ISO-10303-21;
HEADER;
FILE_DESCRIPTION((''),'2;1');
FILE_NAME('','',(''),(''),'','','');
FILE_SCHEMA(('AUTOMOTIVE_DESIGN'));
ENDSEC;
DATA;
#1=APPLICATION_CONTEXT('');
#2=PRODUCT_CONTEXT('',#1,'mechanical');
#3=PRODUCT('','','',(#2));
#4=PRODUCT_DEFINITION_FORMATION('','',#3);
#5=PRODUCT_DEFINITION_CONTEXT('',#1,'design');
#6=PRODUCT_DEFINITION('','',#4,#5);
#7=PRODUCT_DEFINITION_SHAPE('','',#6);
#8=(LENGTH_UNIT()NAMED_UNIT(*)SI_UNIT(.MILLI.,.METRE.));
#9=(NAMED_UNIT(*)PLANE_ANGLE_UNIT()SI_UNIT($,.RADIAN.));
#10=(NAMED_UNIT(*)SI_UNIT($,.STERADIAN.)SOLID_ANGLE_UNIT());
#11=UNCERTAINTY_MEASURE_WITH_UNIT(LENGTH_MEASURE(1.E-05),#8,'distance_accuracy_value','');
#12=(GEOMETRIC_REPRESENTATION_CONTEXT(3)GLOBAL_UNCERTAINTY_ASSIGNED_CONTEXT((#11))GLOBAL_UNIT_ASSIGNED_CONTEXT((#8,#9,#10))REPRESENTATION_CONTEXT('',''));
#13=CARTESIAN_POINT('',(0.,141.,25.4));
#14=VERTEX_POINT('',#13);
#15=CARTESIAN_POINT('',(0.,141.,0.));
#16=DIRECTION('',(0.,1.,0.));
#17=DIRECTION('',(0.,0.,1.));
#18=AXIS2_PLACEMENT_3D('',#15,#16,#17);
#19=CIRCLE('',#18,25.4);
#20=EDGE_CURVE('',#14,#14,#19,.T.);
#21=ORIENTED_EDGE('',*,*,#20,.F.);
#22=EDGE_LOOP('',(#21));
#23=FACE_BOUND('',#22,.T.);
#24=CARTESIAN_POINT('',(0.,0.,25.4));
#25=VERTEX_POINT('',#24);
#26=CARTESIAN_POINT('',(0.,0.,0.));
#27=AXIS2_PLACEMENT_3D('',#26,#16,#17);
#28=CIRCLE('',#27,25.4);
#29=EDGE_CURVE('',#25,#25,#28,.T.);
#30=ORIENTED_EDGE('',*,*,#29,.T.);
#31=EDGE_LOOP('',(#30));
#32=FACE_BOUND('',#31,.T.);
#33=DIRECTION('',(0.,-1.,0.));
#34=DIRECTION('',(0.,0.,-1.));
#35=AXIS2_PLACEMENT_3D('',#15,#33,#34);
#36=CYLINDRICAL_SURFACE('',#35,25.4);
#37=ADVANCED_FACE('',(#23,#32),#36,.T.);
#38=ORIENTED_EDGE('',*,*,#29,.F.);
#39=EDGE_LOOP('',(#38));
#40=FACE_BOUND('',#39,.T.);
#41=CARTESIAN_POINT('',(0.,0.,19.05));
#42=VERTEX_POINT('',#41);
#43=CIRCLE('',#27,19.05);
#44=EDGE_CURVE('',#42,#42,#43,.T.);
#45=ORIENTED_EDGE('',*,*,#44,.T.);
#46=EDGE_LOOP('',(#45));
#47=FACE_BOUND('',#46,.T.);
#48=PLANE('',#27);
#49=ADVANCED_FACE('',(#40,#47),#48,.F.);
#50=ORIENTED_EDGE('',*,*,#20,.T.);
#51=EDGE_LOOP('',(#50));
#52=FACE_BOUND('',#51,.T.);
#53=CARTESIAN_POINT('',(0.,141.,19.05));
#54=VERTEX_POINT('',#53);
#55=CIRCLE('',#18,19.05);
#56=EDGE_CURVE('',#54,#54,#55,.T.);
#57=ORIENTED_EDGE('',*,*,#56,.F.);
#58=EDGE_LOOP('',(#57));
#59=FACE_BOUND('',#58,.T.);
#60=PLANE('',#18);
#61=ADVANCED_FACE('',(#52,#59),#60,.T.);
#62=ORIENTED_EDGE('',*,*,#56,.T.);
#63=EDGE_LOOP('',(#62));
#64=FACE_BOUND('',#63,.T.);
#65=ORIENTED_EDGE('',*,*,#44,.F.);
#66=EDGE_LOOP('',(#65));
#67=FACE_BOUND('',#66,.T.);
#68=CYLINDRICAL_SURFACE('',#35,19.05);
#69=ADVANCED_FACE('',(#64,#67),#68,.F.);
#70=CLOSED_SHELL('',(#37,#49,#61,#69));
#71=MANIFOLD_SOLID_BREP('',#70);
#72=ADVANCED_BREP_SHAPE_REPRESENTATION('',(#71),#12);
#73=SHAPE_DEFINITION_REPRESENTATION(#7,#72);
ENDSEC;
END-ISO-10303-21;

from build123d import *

# Parameters (mm, degrees)
SKETCH1_R           = 25.4
SKETCH1_R_2         = 19.05
BOSS_EXTRUDE1_DEPTH = 141


with BuildPart() as part:
    # Sketch1 → Boss-Extrude1 (new body)
    with BuildSketch(Plane(origin=(0, 0, 0), x_dir=(1, 0, 0), z_dir=(0, 1, 0))):
        with Locations(Location((0, 0, 0), (0, 0, 270))):  # turned: the seam where the file's is
            Circle(SKETCH1_R)
        with Locations(Location((0, 0, 0), (0, 0, 270))):  # turned: the seam where the file's is
            Circle(SKETCH1_R_2, mode=Mode.SUBTRACT)
    extrude(amount=BOSS_EXTRUDE1_DEPTH)


solid = part.part
